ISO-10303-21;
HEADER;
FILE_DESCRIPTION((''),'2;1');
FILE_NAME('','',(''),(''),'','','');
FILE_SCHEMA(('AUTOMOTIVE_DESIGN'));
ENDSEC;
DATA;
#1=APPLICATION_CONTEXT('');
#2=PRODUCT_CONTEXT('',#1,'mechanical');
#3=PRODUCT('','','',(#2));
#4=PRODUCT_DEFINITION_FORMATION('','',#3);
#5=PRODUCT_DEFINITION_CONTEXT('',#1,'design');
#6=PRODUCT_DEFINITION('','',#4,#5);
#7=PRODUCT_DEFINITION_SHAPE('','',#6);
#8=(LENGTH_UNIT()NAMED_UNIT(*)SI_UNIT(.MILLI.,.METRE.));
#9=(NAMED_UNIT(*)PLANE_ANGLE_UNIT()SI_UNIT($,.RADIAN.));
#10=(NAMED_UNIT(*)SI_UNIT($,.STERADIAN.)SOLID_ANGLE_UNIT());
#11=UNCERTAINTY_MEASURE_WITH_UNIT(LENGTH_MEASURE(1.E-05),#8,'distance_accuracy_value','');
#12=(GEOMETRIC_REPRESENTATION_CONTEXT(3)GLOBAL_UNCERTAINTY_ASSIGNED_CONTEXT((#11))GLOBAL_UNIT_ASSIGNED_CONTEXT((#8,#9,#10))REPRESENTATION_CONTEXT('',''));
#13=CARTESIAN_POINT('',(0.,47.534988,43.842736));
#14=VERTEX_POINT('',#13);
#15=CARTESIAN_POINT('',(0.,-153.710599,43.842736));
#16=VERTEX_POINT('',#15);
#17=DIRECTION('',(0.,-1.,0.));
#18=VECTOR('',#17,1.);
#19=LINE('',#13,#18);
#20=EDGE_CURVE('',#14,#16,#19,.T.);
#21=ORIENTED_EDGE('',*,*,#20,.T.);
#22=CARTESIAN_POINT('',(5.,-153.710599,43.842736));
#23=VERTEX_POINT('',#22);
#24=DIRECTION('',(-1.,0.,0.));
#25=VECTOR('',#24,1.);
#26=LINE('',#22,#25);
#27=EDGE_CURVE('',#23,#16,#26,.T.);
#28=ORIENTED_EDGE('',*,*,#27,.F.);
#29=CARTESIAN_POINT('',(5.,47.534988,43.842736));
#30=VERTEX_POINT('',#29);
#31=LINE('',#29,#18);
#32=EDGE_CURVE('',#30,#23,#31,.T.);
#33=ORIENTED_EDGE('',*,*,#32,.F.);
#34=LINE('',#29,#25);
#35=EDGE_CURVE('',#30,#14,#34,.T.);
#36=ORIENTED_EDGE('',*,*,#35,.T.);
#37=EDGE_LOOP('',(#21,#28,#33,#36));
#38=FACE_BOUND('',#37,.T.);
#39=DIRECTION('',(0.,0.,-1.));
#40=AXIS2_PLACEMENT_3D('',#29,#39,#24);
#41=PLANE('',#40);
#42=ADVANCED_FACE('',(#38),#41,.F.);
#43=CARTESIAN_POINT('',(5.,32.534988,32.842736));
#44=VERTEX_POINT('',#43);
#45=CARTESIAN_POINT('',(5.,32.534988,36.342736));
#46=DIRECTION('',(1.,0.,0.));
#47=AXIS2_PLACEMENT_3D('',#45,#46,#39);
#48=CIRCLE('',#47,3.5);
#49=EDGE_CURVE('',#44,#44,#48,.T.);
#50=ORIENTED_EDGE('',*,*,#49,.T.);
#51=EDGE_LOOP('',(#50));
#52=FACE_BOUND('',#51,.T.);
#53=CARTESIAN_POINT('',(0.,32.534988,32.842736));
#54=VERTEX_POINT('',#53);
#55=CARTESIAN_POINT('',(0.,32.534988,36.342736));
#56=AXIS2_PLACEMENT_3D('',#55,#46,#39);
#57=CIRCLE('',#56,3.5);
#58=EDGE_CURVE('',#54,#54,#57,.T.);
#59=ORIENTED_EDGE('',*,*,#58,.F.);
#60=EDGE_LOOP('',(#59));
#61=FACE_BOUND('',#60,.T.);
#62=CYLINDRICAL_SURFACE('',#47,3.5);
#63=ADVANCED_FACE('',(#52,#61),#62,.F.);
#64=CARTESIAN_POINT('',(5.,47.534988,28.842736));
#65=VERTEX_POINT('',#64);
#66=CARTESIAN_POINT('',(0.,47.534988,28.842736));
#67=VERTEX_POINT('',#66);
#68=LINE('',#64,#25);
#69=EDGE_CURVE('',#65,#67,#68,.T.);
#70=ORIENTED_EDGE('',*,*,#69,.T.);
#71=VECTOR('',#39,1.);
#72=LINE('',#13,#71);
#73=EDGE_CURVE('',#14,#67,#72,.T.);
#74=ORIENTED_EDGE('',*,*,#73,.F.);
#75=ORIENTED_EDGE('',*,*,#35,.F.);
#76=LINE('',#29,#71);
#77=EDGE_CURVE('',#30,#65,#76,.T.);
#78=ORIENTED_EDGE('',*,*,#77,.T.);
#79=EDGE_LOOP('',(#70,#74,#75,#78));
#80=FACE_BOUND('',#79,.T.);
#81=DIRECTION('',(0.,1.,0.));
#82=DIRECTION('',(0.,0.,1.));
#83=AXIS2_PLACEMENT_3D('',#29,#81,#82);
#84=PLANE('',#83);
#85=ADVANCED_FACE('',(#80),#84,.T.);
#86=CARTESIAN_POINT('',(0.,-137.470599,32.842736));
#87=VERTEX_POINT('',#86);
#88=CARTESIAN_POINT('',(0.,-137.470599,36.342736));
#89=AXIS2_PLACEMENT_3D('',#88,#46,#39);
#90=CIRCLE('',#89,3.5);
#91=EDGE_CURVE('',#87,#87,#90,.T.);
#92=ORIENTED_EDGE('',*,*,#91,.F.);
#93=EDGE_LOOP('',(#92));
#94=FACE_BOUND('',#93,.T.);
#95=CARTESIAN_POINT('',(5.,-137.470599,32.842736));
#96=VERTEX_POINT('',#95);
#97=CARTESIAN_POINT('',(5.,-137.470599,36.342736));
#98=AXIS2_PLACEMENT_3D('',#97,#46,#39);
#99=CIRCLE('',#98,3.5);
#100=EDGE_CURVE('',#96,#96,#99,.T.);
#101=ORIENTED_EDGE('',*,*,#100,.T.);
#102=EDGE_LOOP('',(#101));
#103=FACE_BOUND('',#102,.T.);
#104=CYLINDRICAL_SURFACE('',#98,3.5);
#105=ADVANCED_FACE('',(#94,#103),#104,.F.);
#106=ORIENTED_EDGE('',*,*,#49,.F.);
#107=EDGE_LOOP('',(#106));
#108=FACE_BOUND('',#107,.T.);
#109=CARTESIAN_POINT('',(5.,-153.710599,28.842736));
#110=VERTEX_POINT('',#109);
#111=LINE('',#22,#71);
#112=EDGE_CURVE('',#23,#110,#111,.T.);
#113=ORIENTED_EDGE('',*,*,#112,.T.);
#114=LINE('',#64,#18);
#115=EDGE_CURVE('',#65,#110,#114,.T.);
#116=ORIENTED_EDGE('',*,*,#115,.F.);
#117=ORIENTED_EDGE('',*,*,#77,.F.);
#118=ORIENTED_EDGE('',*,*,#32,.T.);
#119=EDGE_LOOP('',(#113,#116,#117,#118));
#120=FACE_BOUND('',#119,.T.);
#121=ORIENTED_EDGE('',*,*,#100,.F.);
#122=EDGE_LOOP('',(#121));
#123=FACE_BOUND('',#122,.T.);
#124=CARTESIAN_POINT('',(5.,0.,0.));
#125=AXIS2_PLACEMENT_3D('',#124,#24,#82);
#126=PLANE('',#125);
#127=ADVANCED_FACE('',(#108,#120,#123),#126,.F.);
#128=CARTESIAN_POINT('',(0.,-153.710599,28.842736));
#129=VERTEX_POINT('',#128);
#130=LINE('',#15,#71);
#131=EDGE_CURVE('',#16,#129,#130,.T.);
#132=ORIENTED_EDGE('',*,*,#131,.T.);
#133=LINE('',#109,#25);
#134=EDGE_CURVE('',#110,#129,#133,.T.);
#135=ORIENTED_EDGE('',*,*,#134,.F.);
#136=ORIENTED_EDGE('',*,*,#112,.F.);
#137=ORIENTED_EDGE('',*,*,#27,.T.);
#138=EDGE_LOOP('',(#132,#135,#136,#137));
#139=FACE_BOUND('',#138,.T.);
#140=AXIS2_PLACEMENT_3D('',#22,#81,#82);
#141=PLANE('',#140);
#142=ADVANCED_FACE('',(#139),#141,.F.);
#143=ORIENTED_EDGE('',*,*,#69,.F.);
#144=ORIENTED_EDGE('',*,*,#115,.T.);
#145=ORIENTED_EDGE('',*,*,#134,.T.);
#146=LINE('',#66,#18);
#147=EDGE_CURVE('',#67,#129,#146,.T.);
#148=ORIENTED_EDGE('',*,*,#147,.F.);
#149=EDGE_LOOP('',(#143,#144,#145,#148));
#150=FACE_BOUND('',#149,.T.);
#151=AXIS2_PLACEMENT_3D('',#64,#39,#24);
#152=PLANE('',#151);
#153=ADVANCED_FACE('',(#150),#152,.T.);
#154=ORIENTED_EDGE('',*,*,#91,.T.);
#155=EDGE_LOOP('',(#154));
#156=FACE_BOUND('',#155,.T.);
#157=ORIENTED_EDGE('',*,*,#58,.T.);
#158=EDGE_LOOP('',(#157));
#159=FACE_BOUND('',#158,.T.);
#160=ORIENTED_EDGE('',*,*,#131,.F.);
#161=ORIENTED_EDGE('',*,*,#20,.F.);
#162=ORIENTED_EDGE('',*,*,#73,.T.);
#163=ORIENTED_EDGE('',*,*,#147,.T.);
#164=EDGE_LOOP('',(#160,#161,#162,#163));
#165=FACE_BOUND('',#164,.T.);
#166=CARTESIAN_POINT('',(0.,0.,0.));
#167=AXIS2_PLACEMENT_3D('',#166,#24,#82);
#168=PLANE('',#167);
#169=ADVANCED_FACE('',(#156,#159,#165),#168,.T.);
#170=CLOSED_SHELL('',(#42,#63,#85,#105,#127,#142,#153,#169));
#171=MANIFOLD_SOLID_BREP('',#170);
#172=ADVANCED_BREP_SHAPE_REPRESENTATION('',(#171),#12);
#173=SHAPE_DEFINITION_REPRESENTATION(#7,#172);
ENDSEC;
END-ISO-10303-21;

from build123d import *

# Parameters (mm, degrees)
SKETCH1_W                   = 15
SKETCH1_H                   = 201.245586551
BOSS_EXTRUDE1_DEPTH         = 5
TAP_DRILL_FOR_M8X1_0_TAP1_D = 7


with BuildPart() as part:
    # Sketch1 → Boss-Extrude1 (new body)
    with BuildSketch(Plane(origin=(0, 0, 0), x_dir=(0, 0, -1), z_dir=(1, 0, 0))):
        with Locations((-36.342736335, -53.087805706)):
            Rectangle(SKETCH1_W, SKETCH1_H)
    extrude(amount=BOSS_EXTRUDE1_DEPTH)

    # Tap Drill for M8x1.0 Tap1 (through all)
    with Locations(Plane(origin=(5, 0, 0), x_dir=(0, 0, -1), z_dir=(1, 0, 0))):
        with Locations((-36.342736335, 32.53498757), (-36.342736335, -137.470598981)):
            Hole(TAP_DRILL_FOR_M8X1_0_TAP1_D / 2)


solid = part.part
